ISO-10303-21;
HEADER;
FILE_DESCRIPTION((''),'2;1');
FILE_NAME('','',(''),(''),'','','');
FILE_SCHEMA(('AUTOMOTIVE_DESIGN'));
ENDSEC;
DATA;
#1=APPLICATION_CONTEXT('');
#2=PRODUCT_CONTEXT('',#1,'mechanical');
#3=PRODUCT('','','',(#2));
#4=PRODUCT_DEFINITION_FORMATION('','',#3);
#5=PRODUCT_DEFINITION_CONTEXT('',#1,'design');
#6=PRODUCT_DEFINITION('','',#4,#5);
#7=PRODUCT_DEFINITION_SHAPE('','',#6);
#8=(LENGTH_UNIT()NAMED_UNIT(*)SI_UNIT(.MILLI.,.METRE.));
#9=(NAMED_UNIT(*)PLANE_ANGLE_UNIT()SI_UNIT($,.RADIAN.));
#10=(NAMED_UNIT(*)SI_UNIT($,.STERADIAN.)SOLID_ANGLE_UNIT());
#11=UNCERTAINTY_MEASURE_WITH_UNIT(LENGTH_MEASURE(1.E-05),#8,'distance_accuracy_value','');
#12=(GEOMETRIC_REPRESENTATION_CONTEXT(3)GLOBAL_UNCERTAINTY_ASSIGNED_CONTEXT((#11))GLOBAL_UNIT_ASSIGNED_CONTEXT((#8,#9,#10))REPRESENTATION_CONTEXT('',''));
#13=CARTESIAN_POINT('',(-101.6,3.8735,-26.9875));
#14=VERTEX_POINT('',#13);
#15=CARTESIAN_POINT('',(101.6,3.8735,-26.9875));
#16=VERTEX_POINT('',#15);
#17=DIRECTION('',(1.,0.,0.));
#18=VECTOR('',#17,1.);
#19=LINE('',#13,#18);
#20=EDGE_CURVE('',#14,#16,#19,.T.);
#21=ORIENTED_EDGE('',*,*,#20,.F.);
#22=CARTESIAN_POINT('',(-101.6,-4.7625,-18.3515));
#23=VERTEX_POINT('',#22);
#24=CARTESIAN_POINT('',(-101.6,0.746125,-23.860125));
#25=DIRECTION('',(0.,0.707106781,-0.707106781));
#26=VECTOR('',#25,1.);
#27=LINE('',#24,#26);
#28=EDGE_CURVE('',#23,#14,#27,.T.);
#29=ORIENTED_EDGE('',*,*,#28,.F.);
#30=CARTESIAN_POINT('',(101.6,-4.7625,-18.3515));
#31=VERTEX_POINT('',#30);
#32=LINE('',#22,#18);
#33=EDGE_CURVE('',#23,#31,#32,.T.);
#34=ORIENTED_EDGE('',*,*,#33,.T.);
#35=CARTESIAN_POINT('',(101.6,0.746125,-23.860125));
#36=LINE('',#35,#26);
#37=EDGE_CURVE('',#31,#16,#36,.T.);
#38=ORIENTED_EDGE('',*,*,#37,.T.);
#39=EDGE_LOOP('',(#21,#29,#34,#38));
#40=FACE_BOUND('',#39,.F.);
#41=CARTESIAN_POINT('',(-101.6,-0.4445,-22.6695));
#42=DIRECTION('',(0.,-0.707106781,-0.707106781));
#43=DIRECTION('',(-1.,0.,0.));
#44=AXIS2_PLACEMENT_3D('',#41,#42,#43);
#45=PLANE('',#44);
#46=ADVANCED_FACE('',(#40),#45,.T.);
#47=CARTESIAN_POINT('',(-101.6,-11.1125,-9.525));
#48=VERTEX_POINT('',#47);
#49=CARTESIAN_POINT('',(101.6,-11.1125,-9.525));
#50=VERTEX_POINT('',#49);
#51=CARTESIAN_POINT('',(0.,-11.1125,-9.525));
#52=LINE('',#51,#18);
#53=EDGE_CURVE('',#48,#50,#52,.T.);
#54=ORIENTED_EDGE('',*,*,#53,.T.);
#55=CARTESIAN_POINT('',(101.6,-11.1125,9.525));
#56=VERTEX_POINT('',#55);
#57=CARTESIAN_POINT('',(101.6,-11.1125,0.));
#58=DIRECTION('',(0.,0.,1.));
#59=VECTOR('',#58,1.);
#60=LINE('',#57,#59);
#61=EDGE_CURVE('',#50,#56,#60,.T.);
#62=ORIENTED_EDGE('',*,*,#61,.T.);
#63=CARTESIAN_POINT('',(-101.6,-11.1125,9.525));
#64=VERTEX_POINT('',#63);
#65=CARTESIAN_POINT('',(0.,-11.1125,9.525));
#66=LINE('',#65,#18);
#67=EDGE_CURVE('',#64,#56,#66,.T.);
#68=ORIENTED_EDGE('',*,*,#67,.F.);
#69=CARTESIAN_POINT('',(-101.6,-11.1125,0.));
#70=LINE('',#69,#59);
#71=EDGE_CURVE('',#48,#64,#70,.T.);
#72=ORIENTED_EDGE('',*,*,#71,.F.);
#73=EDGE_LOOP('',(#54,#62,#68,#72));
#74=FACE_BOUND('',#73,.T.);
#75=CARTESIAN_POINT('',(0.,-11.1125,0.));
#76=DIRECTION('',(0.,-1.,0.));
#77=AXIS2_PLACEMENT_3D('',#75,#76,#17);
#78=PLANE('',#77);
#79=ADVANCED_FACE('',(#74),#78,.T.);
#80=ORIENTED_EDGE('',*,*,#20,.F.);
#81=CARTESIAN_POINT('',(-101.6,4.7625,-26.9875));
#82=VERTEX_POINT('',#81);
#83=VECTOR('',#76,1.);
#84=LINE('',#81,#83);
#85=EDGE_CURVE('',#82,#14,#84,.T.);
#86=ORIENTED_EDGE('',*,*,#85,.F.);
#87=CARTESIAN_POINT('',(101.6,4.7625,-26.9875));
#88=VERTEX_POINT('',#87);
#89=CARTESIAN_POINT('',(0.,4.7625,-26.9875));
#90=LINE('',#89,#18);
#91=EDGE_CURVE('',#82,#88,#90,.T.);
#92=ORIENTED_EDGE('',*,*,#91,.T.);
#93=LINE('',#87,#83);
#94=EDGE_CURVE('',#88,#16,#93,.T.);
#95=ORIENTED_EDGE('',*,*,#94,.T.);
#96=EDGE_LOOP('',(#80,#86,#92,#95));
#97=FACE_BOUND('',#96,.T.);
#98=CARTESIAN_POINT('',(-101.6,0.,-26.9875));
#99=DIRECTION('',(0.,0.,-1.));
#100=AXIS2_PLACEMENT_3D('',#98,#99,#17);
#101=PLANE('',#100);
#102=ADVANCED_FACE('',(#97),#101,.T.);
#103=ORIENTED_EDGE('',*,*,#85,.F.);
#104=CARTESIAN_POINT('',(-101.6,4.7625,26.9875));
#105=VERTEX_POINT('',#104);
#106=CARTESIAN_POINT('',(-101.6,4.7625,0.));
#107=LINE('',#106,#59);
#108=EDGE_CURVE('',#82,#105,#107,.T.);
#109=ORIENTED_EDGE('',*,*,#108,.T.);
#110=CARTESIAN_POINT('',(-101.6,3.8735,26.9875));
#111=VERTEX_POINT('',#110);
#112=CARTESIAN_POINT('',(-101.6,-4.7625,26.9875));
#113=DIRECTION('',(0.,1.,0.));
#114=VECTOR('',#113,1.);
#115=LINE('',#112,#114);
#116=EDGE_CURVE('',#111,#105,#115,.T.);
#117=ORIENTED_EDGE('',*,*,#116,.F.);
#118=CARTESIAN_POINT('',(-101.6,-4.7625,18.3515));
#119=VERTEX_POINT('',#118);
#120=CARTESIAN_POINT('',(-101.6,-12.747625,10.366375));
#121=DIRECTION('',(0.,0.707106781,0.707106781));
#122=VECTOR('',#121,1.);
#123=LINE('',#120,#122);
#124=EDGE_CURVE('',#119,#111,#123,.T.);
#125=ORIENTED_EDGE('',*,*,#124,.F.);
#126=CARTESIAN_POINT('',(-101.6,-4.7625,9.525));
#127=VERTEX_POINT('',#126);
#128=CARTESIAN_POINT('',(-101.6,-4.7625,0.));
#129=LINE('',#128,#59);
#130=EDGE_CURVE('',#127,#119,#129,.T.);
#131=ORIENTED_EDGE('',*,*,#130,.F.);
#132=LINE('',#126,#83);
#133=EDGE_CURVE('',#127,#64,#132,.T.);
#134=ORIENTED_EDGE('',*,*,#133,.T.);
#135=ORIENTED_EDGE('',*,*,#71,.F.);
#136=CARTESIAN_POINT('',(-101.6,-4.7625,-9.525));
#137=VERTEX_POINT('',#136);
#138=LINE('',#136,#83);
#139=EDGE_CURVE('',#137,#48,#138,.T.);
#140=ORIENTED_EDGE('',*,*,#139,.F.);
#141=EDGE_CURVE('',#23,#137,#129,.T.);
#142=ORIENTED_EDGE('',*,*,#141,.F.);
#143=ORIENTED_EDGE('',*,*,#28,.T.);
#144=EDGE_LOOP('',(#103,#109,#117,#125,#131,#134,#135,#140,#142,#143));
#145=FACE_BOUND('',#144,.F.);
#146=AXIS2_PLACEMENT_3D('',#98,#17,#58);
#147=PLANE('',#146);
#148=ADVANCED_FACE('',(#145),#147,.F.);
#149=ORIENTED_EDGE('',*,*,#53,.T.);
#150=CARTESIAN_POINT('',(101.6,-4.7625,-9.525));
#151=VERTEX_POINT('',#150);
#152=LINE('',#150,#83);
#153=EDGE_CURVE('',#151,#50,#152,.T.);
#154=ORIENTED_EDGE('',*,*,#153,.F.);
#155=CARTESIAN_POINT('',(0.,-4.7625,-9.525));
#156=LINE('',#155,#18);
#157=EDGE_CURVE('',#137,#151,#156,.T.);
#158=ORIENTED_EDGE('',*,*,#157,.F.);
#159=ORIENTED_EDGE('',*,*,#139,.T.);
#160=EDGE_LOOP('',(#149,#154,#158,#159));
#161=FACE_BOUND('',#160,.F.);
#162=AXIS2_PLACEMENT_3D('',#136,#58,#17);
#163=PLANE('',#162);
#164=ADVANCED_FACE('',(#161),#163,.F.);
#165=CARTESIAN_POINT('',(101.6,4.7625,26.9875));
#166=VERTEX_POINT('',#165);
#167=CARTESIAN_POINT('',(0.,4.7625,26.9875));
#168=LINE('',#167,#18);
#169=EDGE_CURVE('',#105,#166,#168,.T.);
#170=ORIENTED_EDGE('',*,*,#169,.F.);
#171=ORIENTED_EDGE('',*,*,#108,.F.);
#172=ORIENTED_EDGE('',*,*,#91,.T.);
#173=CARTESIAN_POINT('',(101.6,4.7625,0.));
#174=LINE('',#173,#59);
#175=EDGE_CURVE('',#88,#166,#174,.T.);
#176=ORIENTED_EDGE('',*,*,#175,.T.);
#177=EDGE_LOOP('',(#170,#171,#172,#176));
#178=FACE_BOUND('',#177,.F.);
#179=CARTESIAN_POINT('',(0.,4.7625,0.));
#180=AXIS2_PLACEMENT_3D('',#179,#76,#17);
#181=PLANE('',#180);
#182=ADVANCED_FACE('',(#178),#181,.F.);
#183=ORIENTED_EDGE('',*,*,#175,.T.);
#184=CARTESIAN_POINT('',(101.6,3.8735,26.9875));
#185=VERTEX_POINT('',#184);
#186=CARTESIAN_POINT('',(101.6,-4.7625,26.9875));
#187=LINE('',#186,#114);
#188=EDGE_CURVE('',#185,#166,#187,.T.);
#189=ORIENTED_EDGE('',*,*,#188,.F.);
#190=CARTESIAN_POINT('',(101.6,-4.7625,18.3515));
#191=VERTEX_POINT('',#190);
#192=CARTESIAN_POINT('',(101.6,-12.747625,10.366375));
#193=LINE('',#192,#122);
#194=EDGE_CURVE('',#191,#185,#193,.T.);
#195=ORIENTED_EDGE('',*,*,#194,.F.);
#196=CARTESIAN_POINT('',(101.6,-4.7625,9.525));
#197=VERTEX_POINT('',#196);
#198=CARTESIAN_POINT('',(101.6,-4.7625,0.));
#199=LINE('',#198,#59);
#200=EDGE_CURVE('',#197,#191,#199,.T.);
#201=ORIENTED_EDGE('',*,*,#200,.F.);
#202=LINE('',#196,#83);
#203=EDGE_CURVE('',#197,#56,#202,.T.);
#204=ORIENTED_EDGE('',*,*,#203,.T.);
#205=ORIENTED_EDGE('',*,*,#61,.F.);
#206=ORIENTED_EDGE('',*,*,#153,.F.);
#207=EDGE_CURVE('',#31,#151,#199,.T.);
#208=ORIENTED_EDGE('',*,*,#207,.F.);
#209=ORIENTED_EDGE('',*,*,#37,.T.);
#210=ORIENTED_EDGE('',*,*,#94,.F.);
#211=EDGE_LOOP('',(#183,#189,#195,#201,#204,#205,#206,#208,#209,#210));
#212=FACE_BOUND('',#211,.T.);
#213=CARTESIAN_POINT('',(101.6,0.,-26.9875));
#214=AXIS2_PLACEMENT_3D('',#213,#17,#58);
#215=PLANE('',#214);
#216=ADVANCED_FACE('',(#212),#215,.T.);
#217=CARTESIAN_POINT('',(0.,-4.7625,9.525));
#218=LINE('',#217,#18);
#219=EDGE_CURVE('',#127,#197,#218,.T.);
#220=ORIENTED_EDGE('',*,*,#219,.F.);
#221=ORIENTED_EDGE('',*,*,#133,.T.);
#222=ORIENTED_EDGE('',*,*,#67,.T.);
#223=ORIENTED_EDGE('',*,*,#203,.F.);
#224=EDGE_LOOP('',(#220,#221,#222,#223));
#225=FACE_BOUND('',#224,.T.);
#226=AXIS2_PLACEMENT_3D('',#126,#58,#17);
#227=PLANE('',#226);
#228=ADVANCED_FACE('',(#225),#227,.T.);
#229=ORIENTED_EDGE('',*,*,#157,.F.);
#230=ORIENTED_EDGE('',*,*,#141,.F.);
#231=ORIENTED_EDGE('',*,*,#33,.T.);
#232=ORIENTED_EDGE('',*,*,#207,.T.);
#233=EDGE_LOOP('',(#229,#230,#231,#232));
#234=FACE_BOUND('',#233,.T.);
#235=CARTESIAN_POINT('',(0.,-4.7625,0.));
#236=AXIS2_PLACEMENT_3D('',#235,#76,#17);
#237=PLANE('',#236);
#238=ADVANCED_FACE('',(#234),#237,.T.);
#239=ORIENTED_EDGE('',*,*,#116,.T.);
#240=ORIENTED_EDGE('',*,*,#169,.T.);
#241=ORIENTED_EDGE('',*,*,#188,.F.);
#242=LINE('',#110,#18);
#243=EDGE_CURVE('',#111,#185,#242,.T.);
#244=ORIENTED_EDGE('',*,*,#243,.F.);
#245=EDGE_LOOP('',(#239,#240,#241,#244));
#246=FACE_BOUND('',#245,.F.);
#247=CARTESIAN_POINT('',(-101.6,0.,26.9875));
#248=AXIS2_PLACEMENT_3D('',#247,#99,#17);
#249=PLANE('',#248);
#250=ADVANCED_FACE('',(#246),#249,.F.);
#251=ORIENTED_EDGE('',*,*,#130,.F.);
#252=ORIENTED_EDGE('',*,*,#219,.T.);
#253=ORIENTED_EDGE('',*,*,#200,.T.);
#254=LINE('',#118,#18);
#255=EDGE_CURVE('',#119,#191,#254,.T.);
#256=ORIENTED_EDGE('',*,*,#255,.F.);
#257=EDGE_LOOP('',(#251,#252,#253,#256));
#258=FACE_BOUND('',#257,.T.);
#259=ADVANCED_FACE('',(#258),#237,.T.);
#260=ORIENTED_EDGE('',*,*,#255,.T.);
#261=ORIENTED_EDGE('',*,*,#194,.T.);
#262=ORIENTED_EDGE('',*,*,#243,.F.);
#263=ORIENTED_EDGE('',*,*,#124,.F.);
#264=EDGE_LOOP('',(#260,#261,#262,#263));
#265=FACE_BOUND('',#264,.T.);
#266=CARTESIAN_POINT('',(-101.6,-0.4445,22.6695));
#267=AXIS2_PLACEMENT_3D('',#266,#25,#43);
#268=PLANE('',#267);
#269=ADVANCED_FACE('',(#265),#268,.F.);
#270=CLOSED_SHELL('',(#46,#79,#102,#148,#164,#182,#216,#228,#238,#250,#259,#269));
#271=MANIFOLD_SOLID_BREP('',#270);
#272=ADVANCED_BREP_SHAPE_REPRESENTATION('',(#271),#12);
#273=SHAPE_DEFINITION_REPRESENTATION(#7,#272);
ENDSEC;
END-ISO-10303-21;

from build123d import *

# Parameters (mm, degrees)
F0_W     = 203.2
F0_H     = 53.975
F1_DEPTH = 4.7625
F2_SIZE  = 8.636
F3_W     = 203.2
F3_H     = 19.05
F4_DEPTH = 6.35


with BuildPart() as f1:
    # F0 (on Front) → F1 (new body, symmetric)
    with BuildSketch(Plane.XZ):
        Rectangle(F0_W, F0_H)
    extrude(amount=F1_DEPTH, both=True)

    # F2
    f2_edges = [f1.edges().sort_by_distance(p)[0] for p in [
        (0, -4.7625, 26.9875),
        (0, -4.7625, -26.9875),
    ]]
    chamfer(f2_edges, length=F2_SIZE)

    # F3 (on face) → F4 (join)
    with BuildSketch(Plane.XZ.offset(4.7625)):
        Rectangle(F3_W, F3_H)
    extrude(amount=F4_DEPTH)


solid = f1.part
